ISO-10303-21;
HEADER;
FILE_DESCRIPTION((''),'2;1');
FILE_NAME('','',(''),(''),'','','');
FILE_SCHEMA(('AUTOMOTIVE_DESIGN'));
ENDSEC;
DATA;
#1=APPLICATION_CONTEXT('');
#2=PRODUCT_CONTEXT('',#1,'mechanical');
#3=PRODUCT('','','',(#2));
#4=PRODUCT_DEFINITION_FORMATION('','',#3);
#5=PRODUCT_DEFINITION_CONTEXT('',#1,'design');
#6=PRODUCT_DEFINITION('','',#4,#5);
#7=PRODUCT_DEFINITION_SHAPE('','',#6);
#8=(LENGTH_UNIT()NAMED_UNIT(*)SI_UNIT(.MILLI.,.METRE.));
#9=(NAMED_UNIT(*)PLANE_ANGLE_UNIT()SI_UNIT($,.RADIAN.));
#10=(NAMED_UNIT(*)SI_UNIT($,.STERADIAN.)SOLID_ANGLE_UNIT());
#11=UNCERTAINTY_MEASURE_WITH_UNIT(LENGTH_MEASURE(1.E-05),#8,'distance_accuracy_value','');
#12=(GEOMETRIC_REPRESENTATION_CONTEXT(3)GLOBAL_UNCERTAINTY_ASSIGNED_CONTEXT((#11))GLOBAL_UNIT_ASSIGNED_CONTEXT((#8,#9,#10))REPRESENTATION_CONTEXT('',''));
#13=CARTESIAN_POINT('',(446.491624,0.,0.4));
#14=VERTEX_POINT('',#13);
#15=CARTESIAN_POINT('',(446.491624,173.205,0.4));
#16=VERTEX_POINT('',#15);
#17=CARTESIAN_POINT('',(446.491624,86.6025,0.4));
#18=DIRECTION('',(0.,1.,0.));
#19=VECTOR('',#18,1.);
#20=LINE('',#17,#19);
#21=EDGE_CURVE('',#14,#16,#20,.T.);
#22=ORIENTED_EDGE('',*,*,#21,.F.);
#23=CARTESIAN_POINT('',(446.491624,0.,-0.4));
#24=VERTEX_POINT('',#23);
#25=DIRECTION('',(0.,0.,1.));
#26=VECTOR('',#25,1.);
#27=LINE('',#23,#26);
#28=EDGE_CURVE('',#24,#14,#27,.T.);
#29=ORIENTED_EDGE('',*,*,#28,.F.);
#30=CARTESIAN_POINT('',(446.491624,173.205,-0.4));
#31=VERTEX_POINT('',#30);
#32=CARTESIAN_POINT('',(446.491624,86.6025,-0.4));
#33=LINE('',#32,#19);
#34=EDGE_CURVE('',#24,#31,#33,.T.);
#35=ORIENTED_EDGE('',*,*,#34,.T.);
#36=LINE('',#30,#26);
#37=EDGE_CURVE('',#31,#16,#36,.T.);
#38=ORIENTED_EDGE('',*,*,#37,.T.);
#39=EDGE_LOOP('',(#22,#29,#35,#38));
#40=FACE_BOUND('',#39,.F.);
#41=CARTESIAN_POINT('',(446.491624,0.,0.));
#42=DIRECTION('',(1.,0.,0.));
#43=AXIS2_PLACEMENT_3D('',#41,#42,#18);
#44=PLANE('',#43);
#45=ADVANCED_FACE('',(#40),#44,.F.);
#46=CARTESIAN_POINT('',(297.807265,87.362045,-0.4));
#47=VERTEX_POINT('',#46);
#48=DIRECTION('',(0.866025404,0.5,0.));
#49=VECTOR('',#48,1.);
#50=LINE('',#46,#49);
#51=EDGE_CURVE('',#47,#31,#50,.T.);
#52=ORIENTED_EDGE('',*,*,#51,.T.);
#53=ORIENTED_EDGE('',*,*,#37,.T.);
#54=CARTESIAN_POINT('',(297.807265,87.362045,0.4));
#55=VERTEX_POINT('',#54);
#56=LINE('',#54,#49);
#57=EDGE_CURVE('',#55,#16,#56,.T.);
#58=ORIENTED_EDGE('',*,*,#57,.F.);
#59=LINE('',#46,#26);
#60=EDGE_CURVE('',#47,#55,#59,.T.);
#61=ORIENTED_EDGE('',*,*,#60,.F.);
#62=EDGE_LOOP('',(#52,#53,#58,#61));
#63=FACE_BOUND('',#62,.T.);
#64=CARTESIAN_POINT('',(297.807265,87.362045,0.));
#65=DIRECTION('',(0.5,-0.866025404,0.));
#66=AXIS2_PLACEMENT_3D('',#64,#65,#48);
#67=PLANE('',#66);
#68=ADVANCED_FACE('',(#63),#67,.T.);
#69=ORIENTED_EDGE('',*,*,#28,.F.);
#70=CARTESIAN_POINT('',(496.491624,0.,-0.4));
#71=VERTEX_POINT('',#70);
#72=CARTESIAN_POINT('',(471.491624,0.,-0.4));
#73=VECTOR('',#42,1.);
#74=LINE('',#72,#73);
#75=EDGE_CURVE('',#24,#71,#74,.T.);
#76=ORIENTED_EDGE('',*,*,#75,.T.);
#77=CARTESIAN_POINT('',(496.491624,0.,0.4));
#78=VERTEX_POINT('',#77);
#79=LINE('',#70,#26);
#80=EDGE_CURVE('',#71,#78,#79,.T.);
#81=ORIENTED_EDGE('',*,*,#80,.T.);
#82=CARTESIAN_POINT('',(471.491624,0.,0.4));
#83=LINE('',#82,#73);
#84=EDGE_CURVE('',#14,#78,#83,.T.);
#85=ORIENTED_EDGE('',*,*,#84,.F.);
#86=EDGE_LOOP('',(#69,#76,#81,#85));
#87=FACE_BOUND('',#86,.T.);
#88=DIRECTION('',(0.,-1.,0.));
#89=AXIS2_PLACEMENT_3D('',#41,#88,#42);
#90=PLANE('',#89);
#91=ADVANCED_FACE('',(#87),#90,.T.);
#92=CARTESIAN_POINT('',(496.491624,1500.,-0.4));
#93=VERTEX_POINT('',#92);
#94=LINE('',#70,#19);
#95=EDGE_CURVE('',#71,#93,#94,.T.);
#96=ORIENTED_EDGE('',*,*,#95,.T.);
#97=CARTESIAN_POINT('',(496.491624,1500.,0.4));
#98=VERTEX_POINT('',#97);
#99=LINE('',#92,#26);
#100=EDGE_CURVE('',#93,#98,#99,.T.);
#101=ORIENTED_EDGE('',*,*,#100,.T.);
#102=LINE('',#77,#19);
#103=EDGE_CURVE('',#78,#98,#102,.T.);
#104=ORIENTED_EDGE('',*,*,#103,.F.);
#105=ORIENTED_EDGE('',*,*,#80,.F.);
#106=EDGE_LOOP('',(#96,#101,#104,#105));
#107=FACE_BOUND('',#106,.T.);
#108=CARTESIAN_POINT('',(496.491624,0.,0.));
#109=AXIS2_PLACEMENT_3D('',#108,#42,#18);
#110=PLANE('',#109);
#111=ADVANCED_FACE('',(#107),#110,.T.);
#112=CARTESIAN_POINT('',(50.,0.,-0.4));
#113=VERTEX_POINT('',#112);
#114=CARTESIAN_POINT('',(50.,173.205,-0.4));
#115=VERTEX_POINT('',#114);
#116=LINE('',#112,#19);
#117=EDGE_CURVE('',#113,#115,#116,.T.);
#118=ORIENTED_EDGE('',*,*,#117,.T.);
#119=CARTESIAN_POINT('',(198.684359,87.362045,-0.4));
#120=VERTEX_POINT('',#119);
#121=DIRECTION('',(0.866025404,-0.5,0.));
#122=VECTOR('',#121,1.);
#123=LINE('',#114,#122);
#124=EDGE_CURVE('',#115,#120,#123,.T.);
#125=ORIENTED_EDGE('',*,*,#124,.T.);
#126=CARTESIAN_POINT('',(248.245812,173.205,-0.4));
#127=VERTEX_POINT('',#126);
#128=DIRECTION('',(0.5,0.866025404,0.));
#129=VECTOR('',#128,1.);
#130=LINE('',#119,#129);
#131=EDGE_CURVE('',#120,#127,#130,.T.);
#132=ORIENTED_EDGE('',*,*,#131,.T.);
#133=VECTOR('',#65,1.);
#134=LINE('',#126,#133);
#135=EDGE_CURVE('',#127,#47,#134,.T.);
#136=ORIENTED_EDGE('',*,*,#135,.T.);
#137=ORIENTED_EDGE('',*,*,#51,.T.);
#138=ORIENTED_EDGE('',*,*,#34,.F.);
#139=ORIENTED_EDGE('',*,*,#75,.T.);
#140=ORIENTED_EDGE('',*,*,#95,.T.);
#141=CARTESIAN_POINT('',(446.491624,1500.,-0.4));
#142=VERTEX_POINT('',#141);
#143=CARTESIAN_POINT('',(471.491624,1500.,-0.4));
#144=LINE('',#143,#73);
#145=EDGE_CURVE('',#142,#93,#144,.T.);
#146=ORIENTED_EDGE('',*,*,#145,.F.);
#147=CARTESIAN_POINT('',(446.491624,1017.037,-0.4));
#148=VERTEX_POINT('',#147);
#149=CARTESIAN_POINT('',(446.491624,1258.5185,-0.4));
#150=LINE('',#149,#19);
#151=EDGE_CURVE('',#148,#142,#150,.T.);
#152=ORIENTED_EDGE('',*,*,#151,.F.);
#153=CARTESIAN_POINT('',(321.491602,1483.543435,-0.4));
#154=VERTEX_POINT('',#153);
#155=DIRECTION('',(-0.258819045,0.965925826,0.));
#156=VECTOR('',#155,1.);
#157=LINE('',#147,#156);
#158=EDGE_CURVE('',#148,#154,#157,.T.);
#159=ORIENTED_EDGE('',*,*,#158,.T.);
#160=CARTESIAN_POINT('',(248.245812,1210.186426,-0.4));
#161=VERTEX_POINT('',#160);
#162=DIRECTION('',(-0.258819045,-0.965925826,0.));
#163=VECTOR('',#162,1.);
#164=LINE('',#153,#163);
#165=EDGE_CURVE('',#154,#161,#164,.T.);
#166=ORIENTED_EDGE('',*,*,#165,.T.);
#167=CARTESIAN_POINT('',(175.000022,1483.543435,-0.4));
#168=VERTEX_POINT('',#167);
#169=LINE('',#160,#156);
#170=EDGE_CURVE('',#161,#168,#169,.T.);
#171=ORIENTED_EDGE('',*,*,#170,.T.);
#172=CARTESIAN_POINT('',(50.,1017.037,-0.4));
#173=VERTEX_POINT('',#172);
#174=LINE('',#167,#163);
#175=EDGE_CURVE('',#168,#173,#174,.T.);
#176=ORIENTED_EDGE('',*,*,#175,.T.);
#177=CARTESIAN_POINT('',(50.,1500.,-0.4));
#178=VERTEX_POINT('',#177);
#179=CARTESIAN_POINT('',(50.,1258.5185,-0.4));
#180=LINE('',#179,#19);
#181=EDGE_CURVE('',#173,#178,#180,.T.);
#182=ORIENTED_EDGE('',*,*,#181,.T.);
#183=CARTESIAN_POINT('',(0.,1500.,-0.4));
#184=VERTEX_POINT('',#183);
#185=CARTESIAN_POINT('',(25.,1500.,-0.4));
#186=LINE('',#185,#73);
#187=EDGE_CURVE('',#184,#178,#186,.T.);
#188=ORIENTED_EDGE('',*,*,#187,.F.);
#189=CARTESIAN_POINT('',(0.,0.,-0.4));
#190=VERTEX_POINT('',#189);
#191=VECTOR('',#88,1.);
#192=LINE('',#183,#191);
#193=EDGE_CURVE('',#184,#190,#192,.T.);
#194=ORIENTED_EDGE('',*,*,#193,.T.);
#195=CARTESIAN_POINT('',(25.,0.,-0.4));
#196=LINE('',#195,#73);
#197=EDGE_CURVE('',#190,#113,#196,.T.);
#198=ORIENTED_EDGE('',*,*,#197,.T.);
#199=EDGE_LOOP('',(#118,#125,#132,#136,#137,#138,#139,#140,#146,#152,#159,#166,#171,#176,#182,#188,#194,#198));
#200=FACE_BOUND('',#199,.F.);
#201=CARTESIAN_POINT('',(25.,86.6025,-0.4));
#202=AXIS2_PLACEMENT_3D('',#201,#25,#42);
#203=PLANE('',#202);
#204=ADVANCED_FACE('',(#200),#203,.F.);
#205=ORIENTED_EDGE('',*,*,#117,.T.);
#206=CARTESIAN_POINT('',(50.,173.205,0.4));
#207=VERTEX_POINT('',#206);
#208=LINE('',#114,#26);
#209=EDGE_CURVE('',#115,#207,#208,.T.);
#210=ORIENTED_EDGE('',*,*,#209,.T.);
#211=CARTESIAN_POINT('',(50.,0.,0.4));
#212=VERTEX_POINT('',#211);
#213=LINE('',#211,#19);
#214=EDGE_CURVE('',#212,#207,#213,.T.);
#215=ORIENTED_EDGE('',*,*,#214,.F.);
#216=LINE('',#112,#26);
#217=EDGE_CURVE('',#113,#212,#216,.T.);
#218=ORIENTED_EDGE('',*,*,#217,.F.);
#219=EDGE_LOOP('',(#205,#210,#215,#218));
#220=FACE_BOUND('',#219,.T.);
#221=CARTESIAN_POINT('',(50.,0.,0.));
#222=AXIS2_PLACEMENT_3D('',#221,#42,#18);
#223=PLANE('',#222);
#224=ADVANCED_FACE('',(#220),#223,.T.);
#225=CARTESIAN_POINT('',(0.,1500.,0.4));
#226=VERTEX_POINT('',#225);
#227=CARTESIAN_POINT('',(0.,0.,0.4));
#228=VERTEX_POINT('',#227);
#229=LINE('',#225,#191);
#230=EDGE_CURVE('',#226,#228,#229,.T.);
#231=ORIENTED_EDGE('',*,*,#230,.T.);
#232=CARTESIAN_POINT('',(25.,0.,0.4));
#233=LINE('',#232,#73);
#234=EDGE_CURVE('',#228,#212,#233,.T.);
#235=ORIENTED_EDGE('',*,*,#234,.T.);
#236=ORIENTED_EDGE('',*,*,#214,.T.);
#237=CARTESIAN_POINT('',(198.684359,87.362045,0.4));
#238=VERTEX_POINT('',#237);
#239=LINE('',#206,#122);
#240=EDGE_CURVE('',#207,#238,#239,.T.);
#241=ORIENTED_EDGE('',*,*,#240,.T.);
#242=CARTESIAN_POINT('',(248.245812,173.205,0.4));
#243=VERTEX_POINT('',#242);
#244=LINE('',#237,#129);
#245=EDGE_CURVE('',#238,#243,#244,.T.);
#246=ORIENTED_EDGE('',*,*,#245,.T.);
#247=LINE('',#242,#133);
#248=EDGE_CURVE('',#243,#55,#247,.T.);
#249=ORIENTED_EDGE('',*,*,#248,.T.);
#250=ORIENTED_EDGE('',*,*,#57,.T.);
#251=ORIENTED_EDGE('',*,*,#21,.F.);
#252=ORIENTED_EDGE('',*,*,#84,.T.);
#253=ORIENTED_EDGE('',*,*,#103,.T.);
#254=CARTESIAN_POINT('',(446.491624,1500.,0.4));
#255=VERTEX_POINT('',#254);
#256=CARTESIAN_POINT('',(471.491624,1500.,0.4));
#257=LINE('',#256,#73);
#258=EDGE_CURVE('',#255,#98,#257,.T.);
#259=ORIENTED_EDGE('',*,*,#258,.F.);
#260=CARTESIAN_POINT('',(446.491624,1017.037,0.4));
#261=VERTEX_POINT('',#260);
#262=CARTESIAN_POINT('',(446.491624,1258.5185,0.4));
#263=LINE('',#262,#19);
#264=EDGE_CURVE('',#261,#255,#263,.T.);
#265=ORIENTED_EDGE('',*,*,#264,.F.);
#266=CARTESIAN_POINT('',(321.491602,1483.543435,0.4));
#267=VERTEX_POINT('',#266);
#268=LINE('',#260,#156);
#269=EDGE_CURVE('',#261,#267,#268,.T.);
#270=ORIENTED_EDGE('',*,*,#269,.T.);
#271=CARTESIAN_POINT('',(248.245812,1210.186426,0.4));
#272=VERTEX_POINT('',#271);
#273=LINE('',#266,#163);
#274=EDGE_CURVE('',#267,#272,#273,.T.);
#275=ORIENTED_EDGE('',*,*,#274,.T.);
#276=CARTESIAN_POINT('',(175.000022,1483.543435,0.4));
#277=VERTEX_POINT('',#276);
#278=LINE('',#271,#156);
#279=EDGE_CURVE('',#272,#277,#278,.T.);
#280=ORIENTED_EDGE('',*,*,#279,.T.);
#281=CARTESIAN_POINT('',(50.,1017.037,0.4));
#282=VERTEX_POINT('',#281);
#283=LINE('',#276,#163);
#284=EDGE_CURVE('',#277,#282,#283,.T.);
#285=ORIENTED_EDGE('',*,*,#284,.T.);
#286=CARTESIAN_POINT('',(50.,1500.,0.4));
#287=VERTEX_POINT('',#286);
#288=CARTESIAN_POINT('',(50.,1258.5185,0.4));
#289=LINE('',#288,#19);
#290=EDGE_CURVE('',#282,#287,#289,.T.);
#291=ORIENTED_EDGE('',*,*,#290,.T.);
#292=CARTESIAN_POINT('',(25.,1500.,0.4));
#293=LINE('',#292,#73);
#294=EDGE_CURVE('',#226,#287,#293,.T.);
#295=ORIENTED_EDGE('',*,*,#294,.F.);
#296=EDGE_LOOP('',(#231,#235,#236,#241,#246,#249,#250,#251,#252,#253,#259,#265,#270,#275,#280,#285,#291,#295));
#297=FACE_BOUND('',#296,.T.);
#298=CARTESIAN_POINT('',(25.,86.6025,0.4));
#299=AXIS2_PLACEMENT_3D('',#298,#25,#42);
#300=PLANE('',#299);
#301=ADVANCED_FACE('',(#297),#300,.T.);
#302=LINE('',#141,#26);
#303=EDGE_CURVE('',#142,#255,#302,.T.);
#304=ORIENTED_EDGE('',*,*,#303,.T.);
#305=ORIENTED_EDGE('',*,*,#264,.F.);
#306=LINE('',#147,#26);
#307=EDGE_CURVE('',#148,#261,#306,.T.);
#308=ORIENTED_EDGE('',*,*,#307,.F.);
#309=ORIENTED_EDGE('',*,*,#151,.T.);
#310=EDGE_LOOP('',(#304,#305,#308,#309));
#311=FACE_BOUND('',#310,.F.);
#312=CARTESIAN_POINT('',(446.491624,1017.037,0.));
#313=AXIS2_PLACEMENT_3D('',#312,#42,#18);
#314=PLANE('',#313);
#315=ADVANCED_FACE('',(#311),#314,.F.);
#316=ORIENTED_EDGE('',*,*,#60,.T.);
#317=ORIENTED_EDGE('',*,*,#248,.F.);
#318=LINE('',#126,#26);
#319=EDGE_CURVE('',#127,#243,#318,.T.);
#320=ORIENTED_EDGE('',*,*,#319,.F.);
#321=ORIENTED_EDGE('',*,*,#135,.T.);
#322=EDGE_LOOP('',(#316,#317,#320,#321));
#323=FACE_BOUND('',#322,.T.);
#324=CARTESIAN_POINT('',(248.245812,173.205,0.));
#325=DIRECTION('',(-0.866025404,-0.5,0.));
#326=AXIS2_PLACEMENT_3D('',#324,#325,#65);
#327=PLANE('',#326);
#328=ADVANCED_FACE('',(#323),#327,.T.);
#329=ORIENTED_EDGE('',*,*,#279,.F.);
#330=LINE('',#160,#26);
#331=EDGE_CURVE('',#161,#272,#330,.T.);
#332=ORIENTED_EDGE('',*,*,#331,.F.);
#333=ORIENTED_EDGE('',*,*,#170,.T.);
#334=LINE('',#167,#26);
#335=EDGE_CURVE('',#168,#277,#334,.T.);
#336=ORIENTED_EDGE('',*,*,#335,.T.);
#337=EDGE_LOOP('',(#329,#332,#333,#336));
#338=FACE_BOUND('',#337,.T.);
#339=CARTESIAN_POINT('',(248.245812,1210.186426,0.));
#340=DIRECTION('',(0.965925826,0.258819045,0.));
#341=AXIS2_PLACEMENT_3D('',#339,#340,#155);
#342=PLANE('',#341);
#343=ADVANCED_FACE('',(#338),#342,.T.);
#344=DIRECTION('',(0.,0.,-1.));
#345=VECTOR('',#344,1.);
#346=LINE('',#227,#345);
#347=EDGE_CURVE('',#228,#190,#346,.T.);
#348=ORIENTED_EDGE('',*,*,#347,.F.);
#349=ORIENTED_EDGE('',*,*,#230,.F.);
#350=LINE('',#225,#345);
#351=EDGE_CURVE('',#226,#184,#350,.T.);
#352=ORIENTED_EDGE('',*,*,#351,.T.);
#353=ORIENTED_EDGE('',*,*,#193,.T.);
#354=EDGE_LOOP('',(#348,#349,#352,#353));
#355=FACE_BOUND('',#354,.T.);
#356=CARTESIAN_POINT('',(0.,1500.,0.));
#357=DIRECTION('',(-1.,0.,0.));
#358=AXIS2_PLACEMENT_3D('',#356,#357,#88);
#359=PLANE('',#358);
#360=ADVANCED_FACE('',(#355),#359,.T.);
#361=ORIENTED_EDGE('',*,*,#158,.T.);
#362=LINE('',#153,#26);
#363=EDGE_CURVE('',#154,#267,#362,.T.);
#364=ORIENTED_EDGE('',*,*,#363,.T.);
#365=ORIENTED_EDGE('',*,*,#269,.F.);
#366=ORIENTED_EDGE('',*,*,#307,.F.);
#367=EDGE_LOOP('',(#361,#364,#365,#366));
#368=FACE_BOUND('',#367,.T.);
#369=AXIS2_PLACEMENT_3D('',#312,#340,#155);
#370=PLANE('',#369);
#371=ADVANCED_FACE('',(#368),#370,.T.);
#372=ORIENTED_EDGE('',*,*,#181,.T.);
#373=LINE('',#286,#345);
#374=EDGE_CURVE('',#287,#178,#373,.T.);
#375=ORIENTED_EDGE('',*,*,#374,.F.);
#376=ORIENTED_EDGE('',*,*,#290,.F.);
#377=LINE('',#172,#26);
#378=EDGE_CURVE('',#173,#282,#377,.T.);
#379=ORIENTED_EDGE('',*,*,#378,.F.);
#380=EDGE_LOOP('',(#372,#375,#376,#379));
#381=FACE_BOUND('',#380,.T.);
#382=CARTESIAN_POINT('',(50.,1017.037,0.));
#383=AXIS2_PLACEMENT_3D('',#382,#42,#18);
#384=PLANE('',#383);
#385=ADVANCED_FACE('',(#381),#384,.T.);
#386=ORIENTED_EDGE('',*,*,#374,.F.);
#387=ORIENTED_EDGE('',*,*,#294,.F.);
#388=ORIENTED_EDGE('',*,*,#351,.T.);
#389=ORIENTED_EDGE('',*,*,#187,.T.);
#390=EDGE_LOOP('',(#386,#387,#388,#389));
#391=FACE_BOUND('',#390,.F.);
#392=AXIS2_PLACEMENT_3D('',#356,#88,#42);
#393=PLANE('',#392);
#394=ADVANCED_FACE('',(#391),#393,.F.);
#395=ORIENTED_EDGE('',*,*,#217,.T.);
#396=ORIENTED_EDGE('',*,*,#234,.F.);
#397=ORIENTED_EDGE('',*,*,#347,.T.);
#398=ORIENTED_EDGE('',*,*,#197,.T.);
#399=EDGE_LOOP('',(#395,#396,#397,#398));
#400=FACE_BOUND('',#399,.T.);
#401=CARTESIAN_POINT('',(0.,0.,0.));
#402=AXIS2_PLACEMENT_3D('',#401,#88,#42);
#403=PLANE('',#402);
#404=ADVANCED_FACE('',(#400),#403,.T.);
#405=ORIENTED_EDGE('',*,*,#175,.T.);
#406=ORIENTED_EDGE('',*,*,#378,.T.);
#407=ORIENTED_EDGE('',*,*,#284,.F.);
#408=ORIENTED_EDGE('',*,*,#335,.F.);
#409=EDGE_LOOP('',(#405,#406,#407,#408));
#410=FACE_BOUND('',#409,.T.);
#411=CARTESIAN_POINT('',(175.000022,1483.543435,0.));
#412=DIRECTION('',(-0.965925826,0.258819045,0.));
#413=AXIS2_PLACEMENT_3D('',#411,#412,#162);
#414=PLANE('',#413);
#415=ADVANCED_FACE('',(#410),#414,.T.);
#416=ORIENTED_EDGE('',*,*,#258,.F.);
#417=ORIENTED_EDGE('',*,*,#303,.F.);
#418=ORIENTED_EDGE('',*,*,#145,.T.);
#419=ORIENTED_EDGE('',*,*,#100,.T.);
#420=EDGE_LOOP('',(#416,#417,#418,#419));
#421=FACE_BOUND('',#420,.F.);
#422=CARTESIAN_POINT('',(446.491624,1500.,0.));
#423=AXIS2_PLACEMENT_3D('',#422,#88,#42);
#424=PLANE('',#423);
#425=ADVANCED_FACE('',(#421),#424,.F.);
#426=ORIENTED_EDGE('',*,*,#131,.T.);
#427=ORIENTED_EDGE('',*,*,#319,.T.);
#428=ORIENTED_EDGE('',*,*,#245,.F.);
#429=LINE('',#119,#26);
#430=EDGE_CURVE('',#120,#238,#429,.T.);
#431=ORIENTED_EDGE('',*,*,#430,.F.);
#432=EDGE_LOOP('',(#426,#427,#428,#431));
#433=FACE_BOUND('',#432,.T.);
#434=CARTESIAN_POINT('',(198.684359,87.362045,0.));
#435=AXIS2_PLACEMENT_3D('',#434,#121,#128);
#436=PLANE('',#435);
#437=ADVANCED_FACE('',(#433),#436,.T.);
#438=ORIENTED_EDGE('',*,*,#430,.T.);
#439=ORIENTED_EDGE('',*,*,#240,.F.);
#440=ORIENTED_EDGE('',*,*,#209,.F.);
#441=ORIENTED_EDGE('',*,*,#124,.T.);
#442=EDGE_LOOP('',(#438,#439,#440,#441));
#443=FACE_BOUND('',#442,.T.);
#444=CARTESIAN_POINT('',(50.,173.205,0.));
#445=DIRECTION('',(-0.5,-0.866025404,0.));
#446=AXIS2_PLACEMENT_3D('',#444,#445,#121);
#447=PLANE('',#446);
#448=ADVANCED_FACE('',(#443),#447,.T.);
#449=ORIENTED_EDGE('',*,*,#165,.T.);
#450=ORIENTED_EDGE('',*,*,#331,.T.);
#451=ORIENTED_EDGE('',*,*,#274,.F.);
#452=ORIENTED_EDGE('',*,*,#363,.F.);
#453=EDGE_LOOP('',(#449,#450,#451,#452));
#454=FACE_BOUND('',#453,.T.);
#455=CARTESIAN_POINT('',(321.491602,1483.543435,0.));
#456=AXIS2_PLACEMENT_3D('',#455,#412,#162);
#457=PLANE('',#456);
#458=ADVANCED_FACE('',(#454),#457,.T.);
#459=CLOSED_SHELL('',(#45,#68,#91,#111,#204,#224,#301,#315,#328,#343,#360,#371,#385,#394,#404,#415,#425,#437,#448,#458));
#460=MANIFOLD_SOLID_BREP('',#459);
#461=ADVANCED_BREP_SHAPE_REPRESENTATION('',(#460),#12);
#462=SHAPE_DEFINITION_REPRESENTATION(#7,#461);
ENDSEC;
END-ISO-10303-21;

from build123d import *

# Parameters (mm, degrees)
F0_W     = 50
F0_H     = 173.205
F0_H_2   = 843.832
F0_H_3   = 482.963
F1_DEPTH = 0.4


with BuildPart() as f1:
    # F0 (on Top) → F1 (new body, symmetric)
    with BuildSketch(Plane.XY):
        with Locations((25, 86.6025)):
            Rectangle(F0_W, F0_H)
        with Locations((25, 595.121)):
            Rectangle(F0_W, F0_H_2)
        Polygon((50, 1017.037), (50, 173.205), (248.2458122439, 173.205), (248.2458122439, 1210.1864260022), align=None)
        Polygon((248.2458122439, 173.205), (50, 173.205), (198.6843591829, 87.3620452015), align=None)
        with Locations((25, 1258.5185)):
            Rectangle(F0_W, F0_H_3)
        Polygon((175.0000224798, 1483.543434842), (50, 1017.037), (248.2458122439, 1210.1864260022), align=None)
        Polygon((446.4916244877, 173.205), (248.2458122439, 173.205), (297.8072653048, 87.3620452015), align=None)
        Polygon((248.2458122439, 1210.1864260022), (248.2458122439, 173.205), (446.4916244877, 173.205), (446.4916244877, 1017.037), align=None)
        Polygon((321.4916020079, 1483.543434842), (248.2458122439, 1210.1864260022), (446.4916244877, 1017.037), align=None)
        with Locations((471.4916244877, 595.121)):
            Rectangle(F0_W, F0_H_2)
        with Locations((471.4916244877, 86.6025)):
            Rectangle(F0_W, F0_H)
        with Locations((471.4916244877, 1258.5185)):
            Rectangle(F0_W, F0_H_3)
    extrude(amount=F1_DEPTH, both=True)


solid = f1.part
